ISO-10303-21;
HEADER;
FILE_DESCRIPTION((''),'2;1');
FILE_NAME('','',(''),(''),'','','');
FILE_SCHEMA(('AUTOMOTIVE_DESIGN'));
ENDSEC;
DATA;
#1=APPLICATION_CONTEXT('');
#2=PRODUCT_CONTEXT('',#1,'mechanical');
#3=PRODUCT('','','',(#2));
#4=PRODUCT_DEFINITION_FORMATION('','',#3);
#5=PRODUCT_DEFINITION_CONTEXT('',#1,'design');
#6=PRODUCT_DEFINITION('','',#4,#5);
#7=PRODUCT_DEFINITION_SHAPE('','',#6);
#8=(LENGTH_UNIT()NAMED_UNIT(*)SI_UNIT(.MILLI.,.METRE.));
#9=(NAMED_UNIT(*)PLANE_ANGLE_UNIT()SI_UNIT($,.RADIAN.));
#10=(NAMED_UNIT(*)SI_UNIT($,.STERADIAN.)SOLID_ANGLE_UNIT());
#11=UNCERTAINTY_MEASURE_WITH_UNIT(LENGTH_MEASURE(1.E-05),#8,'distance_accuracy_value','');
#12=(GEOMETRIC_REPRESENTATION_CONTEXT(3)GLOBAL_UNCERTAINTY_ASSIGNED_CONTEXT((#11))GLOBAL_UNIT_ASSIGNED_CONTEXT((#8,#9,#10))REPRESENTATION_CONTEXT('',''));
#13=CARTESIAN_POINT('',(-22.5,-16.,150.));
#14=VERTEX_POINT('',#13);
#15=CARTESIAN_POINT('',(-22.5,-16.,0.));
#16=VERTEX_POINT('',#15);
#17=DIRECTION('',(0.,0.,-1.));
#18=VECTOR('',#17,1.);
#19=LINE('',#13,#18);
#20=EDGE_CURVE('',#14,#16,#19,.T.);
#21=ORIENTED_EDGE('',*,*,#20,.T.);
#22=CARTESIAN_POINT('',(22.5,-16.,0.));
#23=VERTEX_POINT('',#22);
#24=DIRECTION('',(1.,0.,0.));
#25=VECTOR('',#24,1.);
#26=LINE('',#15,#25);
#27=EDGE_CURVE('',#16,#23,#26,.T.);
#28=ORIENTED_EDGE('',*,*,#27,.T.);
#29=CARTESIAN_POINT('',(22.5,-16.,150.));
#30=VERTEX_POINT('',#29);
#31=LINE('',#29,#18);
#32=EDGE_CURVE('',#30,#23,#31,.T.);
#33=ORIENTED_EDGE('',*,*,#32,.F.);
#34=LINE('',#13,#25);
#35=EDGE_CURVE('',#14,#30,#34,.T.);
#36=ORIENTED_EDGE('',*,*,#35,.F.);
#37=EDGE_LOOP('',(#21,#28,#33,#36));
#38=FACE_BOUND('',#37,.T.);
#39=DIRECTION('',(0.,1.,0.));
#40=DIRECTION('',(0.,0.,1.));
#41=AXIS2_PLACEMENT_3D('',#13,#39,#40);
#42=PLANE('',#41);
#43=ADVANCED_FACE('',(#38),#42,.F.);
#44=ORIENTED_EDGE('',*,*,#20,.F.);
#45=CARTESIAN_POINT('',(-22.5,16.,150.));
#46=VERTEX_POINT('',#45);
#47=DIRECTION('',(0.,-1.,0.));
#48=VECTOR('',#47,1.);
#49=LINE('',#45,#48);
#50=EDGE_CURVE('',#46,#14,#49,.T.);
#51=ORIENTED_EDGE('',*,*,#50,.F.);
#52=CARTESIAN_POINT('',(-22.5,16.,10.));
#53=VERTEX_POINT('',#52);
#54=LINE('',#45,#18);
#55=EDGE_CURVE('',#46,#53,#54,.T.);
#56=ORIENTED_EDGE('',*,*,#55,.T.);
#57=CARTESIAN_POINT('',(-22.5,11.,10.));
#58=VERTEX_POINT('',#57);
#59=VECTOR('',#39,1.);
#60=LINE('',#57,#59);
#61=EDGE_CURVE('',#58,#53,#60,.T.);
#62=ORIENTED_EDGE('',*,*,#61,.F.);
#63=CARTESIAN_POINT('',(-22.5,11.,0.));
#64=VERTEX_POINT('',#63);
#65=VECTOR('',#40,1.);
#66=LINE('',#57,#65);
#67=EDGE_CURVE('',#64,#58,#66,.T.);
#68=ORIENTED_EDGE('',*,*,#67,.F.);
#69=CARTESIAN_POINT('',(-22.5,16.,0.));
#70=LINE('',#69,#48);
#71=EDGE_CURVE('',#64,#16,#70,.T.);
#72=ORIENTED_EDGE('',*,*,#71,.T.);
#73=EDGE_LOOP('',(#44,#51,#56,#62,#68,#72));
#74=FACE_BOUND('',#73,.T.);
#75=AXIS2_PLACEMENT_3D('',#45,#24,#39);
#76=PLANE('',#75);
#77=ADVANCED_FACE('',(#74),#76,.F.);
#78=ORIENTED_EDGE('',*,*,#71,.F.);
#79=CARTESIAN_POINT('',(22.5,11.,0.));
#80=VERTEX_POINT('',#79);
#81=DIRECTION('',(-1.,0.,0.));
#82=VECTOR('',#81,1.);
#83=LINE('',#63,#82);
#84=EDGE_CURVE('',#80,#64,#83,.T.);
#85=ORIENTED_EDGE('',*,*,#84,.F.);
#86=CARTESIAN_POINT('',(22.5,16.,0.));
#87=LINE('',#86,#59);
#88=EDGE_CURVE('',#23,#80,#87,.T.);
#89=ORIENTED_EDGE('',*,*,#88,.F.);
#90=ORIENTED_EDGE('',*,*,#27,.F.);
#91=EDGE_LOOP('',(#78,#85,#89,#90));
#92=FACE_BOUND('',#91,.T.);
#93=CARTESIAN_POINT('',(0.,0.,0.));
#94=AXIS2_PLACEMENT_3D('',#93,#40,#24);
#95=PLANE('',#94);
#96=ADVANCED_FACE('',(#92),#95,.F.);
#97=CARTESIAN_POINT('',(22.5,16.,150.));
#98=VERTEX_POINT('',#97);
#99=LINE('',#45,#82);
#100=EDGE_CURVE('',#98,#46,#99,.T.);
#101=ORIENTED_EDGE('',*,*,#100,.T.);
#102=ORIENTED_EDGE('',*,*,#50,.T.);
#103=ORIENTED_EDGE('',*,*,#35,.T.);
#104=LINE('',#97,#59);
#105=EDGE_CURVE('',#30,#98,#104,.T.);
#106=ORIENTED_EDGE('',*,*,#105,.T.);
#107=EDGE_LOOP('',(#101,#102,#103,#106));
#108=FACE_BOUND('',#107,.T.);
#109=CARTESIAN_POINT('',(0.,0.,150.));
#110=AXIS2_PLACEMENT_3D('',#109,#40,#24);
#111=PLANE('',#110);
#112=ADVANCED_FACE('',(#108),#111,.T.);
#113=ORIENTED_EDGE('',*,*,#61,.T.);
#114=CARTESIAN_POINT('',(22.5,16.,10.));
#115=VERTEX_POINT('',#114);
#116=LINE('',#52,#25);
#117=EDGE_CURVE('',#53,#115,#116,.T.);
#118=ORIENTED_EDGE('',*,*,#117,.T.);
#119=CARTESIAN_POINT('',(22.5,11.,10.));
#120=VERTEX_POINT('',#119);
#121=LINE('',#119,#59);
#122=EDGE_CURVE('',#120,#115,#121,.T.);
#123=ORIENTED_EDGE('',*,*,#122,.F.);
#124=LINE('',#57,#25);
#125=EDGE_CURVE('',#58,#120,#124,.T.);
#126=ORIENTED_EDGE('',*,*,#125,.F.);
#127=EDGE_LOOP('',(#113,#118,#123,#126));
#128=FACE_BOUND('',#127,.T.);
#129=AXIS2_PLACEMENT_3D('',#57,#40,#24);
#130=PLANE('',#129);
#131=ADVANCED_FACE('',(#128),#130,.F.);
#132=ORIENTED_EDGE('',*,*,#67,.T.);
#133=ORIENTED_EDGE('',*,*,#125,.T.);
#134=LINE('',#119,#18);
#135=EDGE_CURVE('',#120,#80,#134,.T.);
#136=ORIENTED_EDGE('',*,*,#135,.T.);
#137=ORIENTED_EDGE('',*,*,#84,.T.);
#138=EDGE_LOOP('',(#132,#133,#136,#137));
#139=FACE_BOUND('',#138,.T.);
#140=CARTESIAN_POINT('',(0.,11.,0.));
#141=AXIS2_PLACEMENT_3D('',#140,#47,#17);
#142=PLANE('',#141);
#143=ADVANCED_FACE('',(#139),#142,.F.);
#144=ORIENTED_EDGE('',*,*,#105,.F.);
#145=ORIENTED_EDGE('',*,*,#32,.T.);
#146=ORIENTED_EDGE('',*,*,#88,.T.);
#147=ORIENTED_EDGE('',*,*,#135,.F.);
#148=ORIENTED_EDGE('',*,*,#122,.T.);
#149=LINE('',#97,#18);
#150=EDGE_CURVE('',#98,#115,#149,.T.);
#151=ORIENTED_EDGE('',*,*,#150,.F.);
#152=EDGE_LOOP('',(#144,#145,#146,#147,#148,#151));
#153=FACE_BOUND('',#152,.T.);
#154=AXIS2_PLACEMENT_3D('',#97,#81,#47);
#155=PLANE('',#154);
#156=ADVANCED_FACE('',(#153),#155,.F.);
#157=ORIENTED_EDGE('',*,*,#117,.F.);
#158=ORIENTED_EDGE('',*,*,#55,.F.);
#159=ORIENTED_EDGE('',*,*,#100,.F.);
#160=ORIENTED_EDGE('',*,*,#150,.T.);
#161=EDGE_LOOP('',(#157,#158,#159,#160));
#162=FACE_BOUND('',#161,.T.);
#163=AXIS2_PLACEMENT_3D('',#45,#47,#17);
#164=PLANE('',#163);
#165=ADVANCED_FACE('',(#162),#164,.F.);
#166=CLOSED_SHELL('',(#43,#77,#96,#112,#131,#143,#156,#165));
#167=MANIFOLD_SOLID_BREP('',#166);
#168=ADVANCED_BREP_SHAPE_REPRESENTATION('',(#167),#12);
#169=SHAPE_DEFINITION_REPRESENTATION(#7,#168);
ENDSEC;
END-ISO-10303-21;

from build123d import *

# Parameters (mm, degrees)
SKETCH1_W           = 45
SKETCH1_H           = 32
BOSS_EXTRUDE1_DEPTH = 150
SKETCH2_W           = 45
SKETCH2_H           = 10
CUT_EXTRUDE1_DEPTH  = 5


with BuildPart() as part:
    # Sketch1 → Boss-Extrude1 (new body)
    with BuildSketch(Plane.XY):
        Rectangle(SKETCH1_W, SKETCH1_H)
    extrude(amount=BOSS_EXTRUDE1_DEPTH)

    # Sketch2 → Cut-Extrude1 (cut)
    with BuildSketch(Plane(origin=(0, 16, 0), x_dir=(1, 0, 0), z_dir=(0, 1, 0))):
        with Locations((0, -5)):
            Rectangle(SKETCH2_W, SKETCH2_H)
    extrude(amount=-CUT_EXTRUDE1_DEPTH, mode=Mode.SUBTRACT)


solid = part.part
